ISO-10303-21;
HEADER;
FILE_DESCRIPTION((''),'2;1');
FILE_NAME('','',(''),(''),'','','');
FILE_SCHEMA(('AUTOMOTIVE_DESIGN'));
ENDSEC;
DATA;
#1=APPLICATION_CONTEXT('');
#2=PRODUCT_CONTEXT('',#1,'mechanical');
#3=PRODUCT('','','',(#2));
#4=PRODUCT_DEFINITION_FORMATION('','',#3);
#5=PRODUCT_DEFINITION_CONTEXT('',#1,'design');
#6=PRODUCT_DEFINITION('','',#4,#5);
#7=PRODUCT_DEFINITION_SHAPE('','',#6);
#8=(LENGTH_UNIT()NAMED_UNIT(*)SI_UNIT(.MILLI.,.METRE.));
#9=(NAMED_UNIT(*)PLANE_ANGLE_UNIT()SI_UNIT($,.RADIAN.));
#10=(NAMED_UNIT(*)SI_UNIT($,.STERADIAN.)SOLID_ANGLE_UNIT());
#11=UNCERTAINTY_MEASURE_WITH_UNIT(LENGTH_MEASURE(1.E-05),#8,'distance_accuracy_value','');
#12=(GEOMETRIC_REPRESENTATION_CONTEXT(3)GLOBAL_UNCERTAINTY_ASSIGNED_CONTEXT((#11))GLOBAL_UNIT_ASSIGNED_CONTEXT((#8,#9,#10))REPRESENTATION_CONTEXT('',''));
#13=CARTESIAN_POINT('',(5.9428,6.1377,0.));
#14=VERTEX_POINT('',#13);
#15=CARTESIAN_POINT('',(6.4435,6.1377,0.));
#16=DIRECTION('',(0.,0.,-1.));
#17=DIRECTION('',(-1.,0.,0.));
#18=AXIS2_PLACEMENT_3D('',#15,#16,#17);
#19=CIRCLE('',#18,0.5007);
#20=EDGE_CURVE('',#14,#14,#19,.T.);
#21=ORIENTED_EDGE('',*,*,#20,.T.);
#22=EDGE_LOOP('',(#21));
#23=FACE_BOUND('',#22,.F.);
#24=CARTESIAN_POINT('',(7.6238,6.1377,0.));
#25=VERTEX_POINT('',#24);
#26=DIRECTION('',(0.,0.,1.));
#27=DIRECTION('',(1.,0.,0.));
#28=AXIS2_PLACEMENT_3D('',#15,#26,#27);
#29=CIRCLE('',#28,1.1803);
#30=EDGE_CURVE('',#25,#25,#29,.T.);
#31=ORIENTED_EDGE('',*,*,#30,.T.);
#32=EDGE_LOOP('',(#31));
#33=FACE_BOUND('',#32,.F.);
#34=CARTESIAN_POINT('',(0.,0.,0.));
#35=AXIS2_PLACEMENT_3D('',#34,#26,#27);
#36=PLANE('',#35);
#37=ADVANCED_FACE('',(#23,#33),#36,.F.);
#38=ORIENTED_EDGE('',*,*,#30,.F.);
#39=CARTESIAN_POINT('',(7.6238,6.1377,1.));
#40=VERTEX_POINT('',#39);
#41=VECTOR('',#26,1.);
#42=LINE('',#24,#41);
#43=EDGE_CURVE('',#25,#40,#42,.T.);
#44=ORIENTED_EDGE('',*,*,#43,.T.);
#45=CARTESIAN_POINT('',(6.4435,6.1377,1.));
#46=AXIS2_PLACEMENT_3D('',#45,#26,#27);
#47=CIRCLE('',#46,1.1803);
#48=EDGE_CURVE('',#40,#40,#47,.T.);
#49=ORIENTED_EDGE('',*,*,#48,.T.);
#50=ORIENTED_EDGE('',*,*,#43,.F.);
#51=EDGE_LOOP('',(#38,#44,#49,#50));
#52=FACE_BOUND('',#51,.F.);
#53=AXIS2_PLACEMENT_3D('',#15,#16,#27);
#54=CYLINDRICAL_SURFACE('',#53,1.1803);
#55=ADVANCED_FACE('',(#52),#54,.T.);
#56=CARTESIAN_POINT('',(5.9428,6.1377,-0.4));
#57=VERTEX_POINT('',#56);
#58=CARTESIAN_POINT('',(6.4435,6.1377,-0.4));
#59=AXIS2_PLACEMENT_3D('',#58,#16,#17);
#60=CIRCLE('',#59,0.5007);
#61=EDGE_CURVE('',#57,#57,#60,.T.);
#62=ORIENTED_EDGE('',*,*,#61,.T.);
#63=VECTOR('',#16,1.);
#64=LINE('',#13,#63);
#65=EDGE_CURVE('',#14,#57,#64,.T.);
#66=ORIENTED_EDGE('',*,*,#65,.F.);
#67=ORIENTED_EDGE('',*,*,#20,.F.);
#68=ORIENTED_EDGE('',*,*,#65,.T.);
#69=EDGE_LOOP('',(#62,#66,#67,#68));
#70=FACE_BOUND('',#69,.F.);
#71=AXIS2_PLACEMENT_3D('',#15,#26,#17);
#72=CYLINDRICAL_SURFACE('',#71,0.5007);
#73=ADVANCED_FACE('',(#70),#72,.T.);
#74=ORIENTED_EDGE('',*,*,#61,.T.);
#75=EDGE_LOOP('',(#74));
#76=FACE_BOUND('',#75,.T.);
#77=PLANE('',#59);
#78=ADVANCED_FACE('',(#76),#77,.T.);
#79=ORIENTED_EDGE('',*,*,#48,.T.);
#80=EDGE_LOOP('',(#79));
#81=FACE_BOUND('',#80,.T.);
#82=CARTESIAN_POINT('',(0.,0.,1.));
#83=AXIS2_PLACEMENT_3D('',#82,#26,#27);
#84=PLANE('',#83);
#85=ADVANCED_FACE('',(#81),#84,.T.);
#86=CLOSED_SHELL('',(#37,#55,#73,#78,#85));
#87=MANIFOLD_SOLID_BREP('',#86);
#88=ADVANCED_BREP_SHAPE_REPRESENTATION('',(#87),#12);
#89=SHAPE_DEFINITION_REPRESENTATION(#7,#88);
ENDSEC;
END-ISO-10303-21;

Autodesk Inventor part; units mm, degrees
ref_plane "YZ Plane" through (0, 0, 0) normal (1, 0, 0) x (0, 1, 0)
ref_plane "XZ Plane" through (0, 0, 0) normal (0, 1, 0) x (-1, 0, 0)
ref_plane "XY Plane" through (0, 0, 0) normal (0, 0, 1) x (1, 0, 0)
sketch "Sketch1" plane through (0, 0, 0) normal (0, 0, 1) x (1, 0, 0)
  circle A0 centre (6.4435, 6.1377) radius 2.7646
  circle A1 centre (6.4435, 6.1377) radius 1.1803
  point P0 (0, 0)
extrude "Extrusion1" add sketch "Sketch1" along normal blind 1 contours A1
ref_plane "Work Plane1" through (6.4435, 6.1377, -0.5) normal (0, 0, -1) x (-1, 0, 0)
sketch "Sketch2" plane through (6.4435, 6.1377, 0) normal (0, 0, -1) x (-1, 0, 0)
  circle A0 centre (0, 0) radius 0.5007
  point P0 (6.4435, -6.1377)
extrude "Extrusion2" add sketch "Sketch2" along normal blind 0.4
properties part number "pots"
